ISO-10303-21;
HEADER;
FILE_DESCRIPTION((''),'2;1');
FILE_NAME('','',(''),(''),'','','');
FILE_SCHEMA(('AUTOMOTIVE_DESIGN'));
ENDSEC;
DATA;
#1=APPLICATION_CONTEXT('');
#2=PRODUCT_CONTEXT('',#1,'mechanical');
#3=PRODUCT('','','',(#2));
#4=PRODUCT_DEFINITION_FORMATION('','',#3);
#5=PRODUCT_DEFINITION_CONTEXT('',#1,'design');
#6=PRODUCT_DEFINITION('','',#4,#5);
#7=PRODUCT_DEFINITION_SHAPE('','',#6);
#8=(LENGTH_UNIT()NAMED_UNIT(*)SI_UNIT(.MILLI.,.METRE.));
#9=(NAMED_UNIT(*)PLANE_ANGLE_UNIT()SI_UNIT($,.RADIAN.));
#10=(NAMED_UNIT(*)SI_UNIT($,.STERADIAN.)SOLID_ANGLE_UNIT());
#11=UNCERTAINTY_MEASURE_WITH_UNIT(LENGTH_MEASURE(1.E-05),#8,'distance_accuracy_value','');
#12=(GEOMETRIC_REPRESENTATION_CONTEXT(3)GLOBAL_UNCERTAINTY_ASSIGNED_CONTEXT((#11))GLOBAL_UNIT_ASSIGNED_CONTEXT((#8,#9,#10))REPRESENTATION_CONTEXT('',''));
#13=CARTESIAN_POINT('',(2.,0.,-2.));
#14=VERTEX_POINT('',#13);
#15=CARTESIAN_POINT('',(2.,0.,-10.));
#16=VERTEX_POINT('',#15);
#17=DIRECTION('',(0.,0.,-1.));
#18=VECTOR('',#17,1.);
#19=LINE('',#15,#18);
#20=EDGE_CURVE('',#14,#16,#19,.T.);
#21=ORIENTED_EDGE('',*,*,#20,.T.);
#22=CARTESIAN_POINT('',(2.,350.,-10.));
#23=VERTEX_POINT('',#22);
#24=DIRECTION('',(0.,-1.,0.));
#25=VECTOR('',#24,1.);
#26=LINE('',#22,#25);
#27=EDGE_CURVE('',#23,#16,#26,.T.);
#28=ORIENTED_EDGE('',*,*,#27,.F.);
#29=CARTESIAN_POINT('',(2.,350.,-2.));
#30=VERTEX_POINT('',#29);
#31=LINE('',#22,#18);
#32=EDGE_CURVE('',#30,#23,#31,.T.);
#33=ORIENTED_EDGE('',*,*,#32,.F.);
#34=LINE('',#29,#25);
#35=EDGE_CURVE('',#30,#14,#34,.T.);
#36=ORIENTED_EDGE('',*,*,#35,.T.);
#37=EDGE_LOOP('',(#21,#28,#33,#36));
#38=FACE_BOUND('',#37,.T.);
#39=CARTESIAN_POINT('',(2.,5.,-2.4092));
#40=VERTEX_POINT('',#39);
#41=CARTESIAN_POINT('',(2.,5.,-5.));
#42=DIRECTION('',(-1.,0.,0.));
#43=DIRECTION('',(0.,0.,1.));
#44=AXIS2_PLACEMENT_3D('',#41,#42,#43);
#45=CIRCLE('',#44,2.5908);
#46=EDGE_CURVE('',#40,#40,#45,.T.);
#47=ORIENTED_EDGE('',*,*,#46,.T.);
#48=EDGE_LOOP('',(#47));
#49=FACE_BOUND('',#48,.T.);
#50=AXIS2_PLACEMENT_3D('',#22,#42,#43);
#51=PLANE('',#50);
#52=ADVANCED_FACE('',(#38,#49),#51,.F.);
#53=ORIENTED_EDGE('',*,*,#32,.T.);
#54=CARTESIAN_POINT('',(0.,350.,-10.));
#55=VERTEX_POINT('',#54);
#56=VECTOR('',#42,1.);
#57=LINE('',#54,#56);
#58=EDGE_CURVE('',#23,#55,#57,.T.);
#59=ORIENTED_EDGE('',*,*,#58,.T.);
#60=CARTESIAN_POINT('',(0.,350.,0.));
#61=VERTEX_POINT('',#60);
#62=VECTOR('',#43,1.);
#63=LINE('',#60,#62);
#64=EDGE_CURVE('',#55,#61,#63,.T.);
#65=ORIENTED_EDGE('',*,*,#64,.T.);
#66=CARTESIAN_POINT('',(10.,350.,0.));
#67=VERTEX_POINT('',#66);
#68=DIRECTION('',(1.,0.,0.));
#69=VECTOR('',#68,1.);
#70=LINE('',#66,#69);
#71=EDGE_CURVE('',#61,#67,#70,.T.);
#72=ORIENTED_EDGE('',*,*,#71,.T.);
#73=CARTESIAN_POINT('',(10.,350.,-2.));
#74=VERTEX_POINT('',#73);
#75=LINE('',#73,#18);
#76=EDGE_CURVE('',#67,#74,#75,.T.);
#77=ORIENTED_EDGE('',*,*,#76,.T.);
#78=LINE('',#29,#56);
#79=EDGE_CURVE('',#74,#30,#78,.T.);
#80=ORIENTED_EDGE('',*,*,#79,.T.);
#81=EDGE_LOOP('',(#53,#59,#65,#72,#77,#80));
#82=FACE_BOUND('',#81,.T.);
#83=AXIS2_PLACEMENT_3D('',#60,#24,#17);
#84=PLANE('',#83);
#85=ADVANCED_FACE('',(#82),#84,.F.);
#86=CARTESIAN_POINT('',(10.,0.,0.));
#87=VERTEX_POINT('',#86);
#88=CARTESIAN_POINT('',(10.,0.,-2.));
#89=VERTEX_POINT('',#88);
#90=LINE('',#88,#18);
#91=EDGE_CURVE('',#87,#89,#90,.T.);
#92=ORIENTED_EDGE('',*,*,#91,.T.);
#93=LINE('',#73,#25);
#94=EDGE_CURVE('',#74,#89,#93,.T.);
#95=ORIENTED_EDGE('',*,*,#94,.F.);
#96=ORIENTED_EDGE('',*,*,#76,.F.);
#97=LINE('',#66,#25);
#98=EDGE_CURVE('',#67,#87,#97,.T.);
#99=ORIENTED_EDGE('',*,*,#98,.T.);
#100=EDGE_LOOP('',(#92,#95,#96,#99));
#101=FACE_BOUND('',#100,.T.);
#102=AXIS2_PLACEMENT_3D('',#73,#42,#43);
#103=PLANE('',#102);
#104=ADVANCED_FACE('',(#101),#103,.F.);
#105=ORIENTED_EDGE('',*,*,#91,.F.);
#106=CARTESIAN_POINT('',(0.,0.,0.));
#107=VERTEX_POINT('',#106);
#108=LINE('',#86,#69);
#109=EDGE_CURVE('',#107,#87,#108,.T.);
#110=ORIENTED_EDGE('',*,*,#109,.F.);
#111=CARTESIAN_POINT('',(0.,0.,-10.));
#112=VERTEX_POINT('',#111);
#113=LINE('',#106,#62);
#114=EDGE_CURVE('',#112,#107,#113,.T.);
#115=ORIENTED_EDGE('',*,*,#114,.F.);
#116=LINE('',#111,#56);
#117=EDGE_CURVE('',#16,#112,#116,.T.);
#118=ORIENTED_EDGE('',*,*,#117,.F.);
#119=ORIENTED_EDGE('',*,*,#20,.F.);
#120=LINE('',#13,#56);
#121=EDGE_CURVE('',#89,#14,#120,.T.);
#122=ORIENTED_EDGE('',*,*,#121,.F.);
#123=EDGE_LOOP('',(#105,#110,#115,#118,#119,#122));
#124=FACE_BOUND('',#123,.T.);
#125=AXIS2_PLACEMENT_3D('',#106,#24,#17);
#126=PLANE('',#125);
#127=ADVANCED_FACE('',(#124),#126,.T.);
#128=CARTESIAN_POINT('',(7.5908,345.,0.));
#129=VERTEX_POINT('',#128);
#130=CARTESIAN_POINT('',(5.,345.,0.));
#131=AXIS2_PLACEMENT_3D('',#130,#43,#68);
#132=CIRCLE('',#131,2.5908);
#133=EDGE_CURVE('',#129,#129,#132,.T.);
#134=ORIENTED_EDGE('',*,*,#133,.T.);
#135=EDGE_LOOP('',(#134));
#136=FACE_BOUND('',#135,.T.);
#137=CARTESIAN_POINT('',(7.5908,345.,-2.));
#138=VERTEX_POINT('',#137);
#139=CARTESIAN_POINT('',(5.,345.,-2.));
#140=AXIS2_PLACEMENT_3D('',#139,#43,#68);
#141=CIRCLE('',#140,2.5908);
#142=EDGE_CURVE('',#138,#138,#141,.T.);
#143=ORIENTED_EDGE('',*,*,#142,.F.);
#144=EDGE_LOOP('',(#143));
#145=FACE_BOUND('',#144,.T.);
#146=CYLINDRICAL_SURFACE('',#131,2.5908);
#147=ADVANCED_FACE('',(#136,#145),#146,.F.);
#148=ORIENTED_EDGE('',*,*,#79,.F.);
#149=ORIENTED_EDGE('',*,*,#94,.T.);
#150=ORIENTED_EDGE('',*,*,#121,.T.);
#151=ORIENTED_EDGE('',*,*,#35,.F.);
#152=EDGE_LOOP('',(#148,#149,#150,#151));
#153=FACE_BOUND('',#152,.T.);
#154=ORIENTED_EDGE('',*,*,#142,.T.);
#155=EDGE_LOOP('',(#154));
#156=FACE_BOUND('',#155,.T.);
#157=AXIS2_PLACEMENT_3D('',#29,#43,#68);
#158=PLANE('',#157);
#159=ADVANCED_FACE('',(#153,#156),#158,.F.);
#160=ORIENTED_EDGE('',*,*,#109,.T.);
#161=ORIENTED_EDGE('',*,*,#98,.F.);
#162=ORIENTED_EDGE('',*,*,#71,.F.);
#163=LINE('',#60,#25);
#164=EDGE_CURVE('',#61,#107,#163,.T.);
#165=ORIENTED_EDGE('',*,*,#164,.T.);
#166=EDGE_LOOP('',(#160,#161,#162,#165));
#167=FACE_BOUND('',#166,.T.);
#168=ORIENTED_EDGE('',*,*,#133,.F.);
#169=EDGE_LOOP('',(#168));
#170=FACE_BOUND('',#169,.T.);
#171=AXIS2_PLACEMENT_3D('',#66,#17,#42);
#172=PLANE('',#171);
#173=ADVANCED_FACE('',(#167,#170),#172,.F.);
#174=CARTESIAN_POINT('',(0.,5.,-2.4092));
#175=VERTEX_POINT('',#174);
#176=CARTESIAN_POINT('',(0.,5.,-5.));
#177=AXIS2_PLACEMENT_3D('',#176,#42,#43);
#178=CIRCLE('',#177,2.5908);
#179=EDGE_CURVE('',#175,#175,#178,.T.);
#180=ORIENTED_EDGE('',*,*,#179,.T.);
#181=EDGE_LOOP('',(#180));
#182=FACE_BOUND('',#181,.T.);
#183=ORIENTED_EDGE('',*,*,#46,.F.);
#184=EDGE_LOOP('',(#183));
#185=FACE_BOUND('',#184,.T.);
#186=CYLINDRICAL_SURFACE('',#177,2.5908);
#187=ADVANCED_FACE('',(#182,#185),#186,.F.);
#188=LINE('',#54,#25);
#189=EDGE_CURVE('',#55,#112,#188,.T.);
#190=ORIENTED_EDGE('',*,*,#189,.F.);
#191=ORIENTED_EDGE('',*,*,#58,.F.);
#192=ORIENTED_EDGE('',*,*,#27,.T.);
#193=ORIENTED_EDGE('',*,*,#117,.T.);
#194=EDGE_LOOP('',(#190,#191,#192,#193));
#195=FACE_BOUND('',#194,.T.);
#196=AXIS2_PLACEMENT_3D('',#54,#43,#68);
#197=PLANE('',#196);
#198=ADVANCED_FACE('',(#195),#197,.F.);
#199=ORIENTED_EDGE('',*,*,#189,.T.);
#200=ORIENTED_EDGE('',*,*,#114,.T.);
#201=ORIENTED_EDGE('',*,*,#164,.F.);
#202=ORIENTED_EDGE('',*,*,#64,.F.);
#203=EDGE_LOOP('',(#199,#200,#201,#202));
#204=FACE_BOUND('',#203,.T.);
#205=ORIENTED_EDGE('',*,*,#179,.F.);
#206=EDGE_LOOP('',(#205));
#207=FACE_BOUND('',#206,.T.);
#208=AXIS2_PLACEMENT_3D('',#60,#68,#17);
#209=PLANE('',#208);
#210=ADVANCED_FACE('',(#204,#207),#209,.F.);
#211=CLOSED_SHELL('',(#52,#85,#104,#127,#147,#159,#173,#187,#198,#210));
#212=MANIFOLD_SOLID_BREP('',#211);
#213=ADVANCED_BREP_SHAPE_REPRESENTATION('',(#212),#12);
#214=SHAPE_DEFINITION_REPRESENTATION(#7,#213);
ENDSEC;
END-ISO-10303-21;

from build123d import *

# Parameters (mm, degrees)
BOSS_EXTRUDE1_DEPTH        = 350
F_6_0_204_DIAMETER_HOLE2_D = 5.1816
F_6_0_204_DIAMETER_HOLE3_D = 5.1816


with BuildPart() as part:
    # Sketch1 → Boss-Extrude1 (new body)
    with BuildSketch(Plane(origin=(0, 0, 0), x_dir=(1, 0, 0), z_dir=(0, 1, 0))):
        Polygon((0, 0), (0, 10), (2, 10), (2, 2), (10, 2), (10, 0), align=None)
    extrude(amount=BOSS_EXTRUDE1_DEPTH)

    # #6 (0.204) Diameter Hole2 (through all)
    with Locations(Plane.ZY):
        with Locations((-5, 5)):
            Hole(F_6_0_204_DIAMETER_HOLE2_D / 2)

    # #6 (0.204) Diameter Hole3 (through all)
    with Locations(Plane.XY):
        with Locations((5, 345)):
            Hole(F_6_0_204_DIAMETER_HOLE3_D / 2)


solid = part.part
